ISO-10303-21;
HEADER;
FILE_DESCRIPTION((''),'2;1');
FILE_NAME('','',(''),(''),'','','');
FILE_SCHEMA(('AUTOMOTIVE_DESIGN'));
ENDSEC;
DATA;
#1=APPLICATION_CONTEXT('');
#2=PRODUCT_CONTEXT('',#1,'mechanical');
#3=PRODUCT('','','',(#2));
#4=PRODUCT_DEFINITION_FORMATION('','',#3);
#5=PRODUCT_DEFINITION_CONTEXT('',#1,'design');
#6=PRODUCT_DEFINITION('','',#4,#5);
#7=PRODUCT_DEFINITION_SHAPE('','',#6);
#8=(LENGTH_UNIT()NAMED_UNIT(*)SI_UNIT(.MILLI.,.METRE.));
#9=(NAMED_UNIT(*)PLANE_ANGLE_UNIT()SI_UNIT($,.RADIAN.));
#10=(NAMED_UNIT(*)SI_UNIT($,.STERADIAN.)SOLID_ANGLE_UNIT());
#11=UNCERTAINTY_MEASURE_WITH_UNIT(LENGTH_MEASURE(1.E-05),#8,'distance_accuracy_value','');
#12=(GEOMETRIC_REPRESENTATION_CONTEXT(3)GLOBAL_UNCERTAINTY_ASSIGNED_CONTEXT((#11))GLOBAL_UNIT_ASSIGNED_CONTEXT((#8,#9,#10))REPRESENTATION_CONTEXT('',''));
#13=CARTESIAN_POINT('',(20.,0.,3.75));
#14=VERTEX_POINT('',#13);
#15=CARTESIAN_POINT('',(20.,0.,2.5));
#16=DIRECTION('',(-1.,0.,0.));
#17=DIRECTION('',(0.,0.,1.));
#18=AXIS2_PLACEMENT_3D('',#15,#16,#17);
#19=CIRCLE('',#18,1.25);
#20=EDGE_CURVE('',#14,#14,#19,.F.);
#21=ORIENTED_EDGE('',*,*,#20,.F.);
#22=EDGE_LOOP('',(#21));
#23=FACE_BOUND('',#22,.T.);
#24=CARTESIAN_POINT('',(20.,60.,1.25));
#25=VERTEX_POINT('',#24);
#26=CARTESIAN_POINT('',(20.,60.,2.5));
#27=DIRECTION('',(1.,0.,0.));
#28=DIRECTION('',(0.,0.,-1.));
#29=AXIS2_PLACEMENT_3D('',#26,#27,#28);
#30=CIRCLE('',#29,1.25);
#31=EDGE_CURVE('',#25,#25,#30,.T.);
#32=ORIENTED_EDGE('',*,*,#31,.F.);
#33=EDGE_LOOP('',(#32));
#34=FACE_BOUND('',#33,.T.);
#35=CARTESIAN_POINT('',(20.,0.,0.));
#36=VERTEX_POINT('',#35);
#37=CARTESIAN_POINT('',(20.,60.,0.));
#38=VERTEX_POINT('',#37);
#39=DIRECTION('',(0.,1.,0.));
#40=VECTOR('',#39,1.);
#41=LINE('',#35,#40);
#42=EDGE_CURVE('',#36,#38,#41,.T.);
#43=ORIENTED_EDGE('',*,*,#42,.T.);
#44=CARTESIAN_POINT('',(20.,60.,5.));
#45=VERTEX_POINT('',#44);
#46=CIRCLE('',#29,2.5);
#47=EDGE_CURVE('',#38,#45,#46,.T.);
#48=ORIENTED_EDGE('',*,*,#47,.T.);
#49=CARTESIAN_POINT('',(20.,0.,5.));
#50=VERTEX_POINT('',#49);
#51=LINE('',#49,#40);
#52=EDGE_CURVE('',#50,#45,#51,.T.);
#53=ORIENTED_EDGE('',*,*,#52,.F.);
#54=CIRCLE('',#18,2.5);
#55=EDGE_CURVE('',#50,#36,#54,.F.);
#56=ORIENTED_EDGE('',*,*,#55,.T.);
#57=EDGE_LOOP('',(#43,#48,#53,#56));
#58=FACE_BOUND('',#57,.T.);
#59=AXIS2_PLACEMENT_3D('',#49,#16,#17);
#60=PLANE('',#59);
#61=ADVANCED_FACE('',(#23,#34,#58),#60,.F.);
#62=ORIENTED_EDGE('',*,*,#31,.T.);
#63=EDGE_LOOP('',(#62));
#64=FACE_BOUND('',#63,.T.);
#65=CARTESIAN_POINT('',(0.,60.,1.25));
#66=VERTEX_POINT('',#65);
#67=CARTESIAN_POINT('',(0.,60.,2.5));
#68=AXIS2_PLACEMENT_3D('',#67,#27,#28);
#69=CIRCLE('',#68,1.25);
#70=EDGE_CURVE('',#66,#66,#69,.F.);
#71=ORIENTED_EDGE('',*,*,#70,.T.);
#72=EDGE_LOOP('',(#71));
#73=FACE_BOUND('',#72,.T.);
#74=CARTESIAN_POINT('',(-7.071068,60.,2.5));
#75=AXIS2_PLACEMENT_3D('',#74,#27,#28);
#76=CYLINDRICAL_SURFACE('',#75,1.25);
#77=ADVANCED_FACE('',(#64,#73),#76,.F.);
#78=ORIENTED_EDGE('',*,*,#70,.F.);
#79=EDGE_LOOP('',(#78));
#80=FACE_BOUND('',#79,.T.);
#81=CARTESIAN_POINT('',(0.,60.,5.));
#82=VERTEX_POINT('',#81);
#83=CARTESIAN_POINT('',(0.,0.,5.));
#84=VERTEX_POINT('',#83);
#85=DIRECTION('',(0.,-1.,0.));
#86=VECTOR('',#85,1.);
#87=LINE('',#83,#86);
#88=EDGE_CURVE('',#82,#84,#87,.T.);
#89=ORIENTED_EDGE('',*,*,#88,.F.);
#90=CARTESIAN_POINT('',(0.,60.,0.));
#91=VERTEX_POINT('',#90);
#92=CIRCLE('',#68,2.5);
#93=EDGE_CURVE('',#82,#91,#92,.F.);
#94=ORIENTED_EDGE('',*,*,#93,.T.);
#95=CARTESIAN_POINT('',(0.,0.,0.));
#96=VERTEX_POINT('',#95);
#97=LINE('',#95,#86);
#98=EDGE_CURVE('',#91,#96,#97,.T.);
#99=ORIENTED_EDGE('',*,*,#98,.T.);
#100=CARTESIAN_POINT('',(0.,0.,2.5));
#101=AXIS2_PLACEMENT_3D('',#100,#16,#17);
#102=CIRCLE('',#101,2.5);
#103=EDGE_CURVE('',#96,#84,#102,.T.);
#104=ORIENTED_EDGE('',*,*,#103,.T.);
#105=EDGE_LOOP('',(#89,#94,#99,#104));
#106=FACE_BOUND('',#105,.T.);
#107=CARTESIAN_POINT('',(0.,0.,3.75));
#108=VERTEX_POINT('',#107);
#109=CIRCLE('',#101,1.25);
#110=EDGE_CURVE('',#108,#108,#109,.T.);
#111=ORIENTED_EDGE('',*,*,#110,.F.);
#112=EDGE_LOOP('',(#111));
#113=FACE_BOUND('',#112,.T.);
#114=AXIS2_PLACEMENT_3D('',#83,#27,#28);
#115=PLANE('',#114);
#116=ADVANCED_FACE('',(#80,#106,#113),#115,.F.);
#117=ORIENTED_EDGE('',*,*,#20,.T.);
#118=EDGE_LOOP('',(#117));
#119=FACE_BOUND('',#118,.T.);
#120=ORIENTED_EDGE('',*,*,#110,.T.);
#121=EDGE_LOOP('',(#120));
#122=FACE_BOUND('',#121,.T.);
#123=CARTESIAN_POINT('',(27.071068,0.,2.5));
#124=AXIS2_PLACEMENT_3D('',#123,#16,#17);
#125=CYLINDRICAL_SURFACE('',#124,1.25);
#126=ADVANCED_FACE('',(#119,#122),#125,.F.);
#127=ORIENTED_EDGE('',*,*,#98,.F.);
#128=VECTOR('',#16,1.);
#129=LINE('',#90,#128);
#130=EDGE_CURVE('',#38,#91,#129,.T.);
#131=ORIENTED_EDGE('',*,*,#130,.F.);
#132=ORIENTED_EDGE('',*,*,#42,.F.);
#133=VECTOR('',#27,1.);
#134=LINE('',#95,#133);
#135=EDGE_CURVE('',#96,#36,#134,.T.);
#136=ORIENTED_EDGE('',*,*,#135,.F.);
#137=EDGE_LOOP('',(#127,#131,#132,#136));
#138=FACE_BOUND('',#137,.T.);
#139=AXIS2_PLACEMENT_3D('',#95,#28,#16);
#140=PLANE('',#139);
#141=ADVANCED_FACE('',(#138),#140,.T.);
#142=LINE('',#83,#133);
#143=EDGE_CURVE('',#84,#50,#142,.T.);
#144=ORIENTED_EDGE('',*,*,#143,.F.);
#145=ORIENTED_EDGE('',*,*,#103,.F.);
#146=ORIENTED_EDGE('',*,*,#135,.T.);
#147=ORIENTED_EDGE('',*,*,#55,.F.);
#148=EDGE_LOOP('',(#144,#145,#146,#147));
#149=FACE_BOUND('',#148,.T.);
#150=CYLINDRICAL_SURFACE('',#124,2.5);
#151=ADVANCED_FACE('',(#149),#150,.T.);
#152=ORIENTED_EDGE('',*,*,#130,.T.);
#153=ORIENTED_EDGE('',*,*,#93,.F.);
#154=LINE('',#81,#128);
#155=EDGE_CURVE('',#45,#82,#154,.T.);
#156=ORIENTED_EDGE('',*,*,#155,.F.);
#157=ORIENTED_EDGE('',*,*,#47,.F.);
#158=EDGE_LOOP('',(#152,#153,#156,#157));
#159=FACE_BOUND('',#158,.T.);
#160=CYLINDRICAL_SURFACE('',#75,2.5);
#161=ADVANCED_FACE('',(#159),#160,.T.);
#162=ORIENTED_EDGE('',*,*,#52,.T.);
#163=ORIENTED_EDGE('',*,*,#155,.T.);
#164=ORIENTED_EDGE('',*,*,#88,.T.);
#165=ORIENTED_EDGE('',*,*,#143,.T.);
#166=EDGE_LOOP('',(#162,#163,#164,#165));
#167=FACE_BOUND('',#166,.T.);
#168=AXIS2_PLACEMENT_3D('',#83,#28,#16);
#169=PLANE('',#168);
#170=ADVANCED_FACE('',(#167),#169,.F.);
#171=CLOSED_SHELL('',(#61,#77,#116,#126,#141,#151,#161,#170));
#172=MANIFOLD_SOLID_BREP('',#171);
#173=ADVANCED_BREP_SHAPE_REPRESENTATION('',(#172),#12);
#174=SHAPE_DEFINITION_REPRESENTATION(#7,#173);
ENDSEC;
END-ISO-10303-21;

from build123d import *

# Parameters (mm, degrees)
SKETCH1_W           = 20
SKETCH1_H           = 60
BOSS_EXTRUDE1_DEPTH = 5
SKETCH2_R           = 2.5
SKETCH2_R_2         = 1.25
BOSS_EXTRUDE2_DEPTH = 20
SKETCH3_R           = 1.25
CUT_EXTRUDE1_DEPTH  = 29
SKETCH4_R           = 2.5
SKETCH4_R_2         = 1.25
BOSS_EXTRUDE3_DEPTH = 20
SKETCH5_R           = 1.25
CUT_EXTRUDE2_DEPTH  = 29


with BuildPart() as part:
    # Sketch1 → Boss-Extrude1 (new body)
    with BuildSketch(Plane.XY):
        with Locations((10, 30)):
            Rectangle(SKETCH1_W, SKETCH1_H)
    extrude(amount=BOSS_EXTRUDE1_DEPTH)

    # Sketch2 → Boss-Extrude2 (add)
    with BuildSketch(Plane(origin=(20, 0, 0), x_dir=(0, 0, -1), z_dir=(1, 0, 0))):
        with Locations((-2.5, 60)):
            Circle(SKETCH2_R)
        with Locations((-2.5, 60)):
            Circle(SKETCH2_R_2, mode=Mode.SUBTRACT)
    extrude(amount=-BOSS_EXTRUDE2_DEPTH)

    # Sketch3 → Cut-Extrude1 (cut)
    with BuildSketch(Plane.ZY):
        with Locations((2.5, 60)):
            Circle(SKETCH3_R)
    extrude(amount=-CUT_EXTRUDE1_DEPTH, mode=Mode.SUBTRACT)

    # Sketch4 → Boss-Extrude3 (add)
    with BuildSketch(Plane.ZY):
        with Locations((2.5, 0)):
            Circle(SKETCH4_R)
        with Locations((2.5, 0)):
            Circle(SKETCH4_R_2, mode=Mode.SUBTRACT)
    extrude(amount=-BOSS_EXTRUDE3_DEPTH)

    # Sketch5 → Cut-Extrude2 (cut)
    with BuildSketch(Plane(origin=(20, 0, 0), x_dir=(0, 0, -1), z_dir=(1, 0, 0))):
        with Locations((-2.5, 0)):
            Circle(SKETCH5_R)
    extrude(amount=-CUT_EXTRUDE2_DEPTH, mode=Mode.SUBTRACT)


solid = part.part
